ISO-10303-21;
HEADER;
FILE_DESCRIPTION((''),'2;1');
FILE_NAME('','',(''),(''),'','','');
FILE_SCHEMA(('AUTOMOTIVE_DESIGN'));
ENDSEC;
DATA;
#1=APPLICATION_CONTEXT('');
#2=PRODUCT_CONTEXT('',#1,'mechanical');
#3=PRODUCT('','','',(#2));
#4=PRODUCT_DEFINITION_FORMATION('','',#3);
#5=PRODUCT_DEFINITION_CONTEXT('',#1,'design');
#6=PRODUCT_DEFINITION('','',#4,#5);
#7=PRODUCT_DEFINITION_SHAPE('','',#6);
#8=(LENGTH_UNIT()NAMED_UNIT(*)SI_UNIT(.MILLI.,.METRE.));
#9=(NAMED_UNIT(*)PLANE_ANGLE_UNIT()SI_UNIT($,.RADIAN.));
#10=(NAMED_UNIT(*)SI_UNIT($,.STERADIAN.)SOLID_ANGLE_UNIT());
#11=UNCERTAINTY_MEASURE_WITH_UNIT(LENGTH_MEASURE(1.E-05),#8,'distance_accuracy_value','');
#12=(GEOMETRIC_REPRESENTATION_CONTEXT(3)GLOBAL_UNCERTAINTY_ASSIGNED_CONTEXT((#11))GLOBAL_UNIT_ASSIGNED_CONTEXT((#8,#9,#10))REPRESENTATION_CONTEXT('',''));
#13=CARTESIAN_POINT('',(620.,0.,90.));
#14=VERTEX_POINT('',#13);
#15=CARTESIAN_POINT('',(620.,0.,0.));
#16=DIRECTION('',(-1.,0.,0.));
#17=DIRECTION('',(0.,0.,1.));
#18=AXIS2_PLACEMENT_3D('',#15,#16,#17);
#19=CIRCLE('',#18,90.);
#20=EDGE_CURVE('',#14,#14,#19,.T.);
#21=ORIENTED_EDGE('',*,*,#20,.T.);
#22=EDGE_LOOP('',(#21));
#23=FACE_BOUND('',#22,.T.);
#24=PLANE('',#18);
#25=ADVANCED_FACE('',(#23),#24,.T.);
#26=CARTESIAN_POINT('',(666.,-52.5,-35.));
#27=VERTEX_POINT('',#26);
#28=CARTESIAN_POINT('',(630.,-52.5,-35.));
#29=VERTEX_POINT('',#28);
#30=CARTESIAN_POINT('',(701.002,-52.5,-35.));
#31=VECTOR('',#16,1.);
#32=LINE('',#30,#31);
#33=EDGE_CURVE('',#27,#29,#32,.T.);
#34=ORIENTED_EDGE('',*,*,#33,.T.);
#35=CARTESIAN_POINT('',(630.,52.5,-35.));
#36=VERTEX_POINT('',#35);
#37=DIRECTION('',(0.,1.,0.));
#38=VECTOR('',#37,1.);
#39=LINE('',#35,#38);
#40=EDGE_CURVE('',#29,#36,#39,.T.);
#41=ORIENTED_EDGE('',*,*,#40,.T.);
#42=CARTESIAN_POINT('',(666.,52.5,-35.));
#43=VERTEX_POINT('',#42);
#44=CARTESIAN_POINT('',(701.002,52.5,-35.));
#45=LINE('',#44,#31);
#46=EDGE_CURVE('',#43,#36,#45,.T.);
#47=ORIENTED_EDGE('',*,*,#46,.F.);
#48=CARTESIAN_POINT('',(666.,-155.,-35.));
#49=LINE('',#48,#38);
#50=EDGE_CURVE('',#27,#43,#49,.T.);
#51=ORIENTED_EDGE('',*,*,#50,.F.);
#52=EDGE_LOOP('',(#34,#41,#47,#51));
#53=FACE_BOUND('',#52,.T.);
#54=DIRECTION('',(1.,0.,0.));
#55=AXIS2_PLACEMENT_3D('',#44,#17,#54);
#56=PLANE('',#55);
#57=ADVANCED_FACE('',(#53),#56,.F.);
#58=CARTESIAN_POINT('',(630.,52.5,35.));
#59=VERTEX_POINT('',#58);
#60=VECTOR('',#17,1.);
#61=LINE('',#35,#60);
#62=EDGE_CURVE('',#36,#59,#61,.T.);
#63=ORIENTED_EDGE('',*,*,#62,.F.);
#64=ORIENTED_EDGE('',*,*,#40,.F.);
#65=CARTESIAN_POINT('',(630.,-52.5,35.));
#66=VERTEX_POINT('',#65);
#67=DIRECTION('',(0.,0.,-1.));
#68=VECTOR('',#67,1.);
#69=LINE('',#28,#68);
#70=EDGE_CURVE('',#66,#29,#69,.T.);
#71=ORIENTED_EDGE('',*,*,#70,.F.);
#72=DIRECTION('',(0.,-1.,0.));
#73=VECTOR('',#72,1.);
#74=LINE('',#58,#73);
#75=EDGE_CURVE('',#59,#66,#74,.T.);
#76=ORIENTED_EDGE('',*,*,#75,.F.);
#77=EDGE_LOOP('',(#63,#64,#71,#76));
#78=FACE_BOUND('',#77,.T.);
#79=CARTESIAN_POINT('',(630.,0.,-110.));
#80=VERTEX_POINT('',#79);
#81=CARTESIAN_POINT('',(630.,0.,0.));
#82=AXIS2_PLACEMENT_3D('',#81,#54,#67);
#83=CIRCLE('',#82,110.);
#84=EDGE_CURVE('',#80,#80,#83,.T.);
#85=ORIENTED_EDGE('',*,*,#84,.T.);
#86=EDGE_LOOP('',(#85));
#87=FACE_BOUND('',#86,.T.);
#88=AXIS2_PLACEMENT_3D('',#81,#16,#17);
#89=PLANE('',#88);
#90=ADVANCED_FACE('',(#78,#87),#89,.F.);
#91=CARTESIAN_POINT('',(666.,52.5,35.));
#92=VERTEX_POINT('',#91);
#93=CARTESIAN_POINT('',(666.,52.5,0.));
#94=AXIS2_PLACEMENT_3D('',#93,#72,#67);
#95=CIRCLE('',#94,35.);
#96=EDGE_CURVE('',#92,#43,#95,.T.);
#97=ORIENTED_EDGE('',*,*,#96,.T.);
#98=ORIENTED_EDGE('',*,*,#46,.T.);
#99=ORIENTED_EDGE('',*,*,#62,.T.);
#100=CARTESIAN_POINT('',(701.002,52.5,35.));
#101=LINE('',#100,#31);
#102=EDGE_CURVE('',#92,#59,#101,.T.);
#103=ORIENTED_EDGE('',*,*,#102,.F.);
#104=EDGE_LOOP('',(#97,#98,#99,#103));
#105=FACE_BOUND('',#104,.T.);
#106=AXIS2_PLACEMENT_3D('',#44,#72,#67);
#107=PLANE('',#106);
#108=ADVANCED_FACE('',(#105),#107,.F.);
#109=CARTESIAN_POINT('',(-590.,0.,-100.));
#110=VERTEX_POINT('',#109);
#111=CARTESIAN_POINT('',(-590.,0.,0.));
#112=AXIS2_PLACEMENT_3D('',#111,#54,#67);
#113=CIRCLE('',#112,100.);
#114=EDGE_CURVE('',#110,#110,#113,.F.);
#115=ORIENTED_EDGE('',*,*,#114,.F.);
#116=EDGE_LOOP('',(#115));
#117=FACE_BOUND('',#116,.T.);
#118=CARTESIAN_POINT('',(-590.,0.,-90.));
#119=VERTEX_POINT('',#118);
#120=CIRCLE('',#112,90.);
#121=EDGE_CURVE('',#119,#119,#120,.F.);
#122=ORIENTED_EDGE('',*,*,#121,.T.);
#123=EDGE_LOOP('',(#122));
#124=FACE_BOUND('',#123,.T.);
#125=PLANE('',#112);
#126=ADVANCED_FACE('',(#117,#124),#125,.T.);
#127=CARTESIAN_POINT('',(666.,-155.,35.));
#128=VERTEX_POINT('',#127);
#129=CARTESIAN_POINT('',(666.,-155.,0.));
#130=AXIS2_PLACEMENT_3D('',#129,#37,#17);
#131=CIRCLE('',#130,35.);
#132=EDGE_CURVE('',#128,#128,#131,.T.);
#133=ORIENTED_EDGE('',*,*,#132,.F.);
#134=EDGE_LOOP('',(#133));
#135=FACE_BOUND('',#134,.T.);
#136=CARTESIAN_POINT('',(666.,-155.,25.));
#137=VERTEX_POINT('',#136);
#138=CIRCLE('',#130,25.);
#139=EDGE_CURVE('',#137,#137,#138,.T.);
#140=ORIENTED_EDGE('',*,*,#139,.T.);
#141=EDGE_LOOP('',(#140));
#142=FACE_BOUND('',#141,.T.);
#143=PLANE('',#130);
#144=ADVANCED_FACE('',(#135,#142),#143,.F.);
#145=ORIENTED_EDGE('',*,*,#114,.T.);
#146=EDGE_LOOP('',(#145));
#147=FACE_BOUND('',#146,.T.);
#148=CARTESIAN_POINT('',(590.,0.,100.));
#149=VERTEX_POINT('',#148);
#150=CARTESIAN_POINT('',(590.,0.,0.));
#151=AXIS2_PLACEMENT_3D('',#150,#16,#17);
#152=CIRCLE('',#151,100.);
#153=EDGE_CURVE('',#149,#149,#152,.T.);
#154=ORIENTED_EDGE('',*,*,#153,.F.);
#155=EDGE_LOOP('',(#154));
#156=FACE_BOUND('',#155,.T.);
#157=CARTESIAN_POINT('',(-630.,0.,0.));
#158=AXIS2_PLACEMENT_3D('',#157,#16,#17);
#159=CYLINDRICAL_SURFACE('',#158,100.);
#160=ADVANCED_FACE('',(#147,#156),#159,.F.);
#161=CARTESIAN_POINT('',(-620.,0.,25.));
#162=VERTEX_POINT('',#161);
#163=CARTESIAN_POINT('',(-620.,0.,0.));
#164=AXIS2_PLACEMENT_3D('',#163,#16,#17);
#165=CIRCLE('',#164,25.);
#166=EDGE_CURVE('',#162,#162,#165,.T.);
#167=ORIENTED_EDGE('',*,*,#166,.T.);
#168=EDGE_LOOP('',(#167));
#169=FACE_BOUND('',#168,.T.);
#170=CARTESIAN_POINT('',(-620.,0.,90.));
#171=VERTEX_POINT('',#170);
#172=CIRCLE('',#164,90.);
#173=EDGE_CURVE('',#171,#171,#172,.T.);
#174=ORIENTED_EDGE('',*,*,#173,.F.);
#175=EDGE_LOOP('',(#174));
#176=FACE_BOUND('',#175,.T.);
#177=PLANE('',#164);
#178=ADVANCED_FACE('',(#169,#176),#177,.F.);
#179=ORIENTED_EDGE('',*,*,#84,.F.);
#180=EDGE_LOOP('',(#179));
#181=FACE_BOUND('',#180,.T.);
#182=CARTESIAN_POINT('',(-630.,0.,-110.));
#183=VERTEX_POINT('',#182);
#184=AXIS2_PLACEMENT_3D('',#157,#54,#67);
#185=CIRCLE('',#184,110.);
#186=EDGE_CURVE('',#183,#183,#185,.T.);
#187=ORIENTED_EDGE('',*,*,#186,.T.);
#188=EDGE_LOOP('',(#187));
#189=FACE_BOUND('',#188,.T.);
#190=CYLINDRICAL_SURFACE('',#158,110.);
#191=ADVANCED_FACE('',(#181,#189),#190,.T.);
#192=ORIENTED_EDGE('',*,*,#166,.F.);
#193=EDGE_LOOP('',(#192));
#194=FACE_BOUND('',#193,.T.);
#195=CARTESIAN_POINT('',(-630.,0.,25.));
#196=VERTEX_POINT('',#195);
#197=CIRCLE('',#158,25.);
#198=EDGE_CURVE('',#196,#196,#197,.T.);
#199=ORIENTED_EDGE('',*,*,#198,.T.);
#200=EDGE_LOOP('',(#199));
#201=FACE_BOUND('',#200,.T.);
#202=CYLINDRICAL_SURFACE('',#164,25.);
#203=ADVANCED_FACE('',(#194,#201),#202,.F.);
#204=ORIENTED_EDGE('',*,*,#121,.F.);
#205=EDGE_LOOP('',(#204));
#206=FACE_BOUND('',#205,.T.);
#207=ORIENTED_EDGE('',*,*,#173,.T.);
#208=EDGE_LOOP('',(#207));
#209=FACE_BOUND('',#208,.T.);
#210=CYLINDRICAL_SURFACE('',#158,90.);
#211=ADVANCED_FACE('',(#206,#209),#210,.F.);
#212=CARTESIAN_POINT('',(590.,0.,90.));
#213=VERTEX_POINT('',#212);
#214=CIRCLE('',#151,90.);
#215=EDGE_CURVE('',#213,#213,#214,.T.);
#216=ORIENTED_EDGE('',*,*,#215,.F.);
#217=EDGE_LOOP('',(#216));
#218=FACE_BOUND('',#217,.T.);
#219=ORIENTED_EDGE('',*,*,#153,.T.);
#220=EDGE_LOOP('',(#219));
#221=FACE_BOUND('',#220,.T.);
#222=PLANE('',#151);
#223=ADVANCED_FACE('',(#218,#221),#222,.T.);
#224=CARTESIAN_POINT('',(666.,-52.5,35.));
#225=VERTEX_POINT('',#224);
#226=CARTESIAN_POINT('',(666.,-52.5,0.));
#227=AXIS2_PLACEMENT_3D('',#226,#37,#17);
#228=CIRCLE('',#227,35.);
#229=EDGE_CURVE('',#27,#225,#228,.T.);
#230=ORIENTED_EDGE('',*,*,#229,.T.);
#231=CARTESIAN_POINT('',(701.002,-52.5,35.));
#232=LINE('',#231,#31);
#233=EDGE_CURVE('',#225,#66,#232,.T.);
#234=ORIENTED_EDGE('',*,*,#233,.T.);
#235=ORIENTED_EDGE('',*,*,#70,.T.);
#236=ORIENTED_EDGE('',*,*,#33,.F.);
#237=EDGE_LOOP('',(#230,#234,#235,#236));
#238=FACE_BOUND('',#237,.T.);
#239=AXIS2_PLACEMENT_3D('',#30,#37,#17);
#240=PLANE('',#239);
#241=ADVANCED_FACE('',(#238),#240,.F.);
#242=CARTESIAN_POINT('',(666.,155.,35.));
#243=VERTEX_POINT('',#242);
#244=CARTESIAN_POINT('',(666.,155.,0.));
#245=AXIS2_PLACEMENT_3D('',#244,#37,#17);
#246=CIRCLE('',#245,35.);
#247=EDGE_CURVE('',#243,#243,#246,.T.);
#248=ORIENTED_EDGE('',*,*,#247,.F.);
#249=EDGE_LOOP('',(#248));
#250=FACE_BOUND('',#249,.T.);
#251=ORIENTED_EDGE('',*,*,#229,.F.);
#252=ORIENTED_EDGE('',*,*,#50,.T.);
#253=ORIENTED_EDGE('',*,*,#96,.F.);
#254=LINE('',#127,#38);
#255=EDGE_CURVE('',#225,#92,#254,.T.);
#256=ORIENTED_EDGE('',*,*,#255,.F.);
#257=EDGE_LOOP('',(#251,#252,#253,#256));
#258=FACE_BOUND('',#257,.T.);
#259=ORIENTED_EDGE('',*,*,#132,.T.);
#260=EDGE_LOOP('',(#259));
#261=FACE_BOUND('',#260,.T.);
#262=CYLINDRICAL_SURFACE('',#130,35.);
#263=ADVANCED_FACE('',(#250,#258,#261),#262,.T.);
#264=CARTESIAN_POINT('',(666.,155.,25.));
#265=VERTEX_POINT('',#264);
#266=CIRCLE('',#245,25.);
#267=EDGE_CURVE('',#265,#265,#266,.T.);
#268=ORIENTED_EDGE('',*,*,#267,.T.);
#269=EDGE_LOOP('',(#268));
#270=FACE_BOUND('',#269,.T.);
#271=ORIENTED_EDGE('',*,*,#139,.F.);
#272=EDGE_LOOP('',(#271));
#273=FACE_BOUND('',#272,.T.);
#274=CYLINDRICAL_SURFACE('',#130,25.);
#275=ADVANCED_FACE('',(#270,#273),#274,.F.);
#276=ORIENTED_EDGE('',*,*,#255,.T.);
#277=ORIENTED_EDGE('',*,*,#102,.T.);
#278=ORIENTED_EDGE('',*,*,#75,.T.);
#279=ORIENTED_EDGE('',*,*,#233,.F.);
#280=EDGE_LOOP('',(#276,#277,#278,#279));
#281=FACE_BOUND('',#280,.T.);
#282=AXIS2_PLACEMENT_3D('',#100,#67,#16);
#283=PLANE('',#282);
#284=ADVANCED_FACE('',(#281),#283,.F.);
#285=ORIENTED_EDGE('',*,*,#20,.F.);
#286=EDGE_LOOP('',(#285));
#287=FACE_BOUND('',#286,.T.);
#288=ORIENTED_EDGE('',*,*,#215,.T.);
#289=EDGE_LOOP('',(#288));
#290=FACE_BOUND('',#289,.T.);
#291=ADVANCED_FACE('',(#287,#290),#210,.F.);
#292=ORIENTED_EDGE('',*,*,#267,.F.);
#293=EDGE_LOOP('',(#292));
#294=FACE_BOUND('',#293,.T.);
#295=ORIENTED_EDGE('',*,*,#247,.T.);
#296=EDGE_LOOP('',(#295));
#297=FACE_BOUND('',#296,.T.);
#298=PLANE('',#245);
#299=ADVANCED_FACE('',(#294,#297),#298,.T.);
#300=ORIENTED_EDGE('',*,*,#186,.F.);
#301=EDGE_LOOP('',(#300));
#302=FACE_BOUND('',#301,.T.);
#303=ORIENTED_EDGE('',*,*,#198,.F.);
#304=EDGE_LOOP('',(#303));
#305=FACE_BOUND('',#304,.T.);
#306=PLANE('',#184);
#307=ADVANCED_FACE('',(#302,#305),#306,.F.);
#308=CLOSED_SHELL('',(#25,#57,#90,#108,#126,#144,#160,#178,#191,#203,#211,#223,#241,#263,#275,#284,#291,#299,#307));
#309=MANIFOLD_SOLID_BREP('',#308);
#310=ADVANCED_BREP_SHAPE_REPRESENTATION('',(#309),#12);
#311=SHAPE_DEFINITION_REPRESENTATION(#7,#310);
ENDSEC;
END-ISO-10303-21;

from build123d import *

# Parameters (mm, degrees)
CILINDAR_SHELL1_T                 = -10
CILINDAR_SKETCH3_W                = 30
CILINDAR_SKETCH3_H                = 10
CILINDAR_BOSS_EXTRUDE1_DEPTH      = 155
CILINDAR_BOSS_EXTRUDE1_DEPTH_BACK = 155
CILINDAR_SKETCH2_R                = 35
CILINDAR_SKETCH2_R_2              = 25
CILINDAR_BOSS_EXTRUDE7_REACH      = 1276.255
CILINDAR_BOSS_EXTRUDE7_END_RADIUS = 35
CILINDAR_SKETCH6_W                = 70
CILINDAR_SKETCH6_H                = 105
CILINDAR_SKETCH7_R                = 90
CILINDAR_SKETCH7_R_2              = 25
CILINDAR_BOSS_EXTRUDE8_DEPTH      = 10


with BuildPart() as part:
    # cilindar_Sketch1 → cilindar_Revolve1 (revolve)
    with BuildSketch(Plane(origin=(0, 0, 0), x_dir=(1, 0, 0), z_dir=(0, 1, 0)), mode=Mode.PRIVATE) as cilindar_revolve1_sk:
        Polygon((-600, 100), (-630, 100), (-630, 0), (630, 0), (630, 100), (600, 100), (600, 110), (-600, 110), align=None)
    revolve(cilindar_revolve1_sk.sketch.rotate(Axis((-630, 0, 0), (1, 0, 0)), 180), axis=Axis((-630, 0, 0), (1, 0, 0)))

    # cilindar_Shell1
    cilindar_shell1_openings = [part.faces().sort_by_distance(p)[0] for p in [
        (-630, 0, 0),
    ]]
    offset(amount=CILINDAR_SHELL1_T, openings=cilindar_shell1_openings, kind=Kind.INTERSECTION)

    # cilindar_Sketch3 → cilindar_Revolve2 (revolve)
    with BuildSketch(Plane(origin=(0, 0, 0), x_dir=(1, 0, 0), z_dir=(0, 1, 0))):
        with Locations((-615, 105)):
            Rectangle(CILINDAR_SKETCH3_W, CILINDAR_SKETCH3_H)
    cilindar_revolve2 = revolve(axis=Axis((590, 0, 0), (-1, 0, 0)))

    # cilindar_Mirror2: cilindar_Revolve2 across plane
    add(cilindar_revolve2.mirror(Plane(origin=(0, 0, 0), x_dir=(0, 0, 1), z_dir=(1, 0, 0))))



with BuildPart() as body_2:
    # cilindar_Sketch2 → cilindar_Boss-Extrude1 (new, two sides: drawn at the far end of the back side and taken through both)
    with BuildSketch(Plane(origin=(0, 0, 0), x_dir=(1, 0, 0), z_dir=(0, 1, 0)).offset(-CILINDAR_BOSS_EXTRUDE1_DEPTH_BACK)):
        with Locations(Location((666, 0, 0), (0, 0, 270))):
            Circle(CILINDAR_SKETCH2_R)
        with Locations(Location((666, 0, 0), (0, 0, 270))):
            Circle(CILINDAR_SKETCH2_R_2, mode=Mode.SUBTRACT)
    extrude(amount=CILINDAR_BOSS_EXTRUDE1_DEPTH + CILINDAR_BOSS_EXTRUDE1_DEPTH_BACK)


with BuildPart() as part_1:
    add(part.part)

    add(body_2.part)  # cilindar_Boss-Extrude7 merges body 2
    # cilindar_Boss-Extrude7: up to this cylinder (the profile starts outside it)
    cilindar_boss_extrude7_end = Plane(origin=(666, 0, 0), z_dir=(0, 1, 0)) * Cylinder(CILINDAR_BOSS_EXTRUDE7_END_RADIUS, 2623.51, mode=Mode.PRIVATE)
    # cilindar_Sketch6 → cilindar_Boss-Extrude7 (add, up to the surface)
    with BuildSketch(Plane(origin=(630, 0, 0), x_dir=(0, 0, -1), z_dir=(1, 0, 0)), mode=Mode.PRIVATE) as cilindar_boss_extrude7_sk1:
        Rectangle(CILINDAR_SKETCH6_W, CILINDAR_SKETCH6_H)
    cilindar_boss_extrude7_tool1 = extrude(cilindar_boss_extrude7_sk1.sketch, amount=CILINDAR_BOSS_EXTRUDE7_REACH, mode=Mode.PRIVATE) - cilindar_boss_extrude7_end
    add(cilindar_boss_extrude7_tool1.solids().sort_by_distance((630, 0, 0))[0])

    # cilindar_Sketch7 → cilindar_Boss-Extrude8 (add)
    with BuildSketch(Plane.ZY.offset(630)):
        Circle(CILINDAR_SKETCH7_R)
        Circle(CILINDAR_SKETCH7_R_2, mode=Mode.SUBTRACT)
    extrude(amount=-CILINDAR_BOSS_EXTRUDE8_DEPTH)


solid = part_1.part
